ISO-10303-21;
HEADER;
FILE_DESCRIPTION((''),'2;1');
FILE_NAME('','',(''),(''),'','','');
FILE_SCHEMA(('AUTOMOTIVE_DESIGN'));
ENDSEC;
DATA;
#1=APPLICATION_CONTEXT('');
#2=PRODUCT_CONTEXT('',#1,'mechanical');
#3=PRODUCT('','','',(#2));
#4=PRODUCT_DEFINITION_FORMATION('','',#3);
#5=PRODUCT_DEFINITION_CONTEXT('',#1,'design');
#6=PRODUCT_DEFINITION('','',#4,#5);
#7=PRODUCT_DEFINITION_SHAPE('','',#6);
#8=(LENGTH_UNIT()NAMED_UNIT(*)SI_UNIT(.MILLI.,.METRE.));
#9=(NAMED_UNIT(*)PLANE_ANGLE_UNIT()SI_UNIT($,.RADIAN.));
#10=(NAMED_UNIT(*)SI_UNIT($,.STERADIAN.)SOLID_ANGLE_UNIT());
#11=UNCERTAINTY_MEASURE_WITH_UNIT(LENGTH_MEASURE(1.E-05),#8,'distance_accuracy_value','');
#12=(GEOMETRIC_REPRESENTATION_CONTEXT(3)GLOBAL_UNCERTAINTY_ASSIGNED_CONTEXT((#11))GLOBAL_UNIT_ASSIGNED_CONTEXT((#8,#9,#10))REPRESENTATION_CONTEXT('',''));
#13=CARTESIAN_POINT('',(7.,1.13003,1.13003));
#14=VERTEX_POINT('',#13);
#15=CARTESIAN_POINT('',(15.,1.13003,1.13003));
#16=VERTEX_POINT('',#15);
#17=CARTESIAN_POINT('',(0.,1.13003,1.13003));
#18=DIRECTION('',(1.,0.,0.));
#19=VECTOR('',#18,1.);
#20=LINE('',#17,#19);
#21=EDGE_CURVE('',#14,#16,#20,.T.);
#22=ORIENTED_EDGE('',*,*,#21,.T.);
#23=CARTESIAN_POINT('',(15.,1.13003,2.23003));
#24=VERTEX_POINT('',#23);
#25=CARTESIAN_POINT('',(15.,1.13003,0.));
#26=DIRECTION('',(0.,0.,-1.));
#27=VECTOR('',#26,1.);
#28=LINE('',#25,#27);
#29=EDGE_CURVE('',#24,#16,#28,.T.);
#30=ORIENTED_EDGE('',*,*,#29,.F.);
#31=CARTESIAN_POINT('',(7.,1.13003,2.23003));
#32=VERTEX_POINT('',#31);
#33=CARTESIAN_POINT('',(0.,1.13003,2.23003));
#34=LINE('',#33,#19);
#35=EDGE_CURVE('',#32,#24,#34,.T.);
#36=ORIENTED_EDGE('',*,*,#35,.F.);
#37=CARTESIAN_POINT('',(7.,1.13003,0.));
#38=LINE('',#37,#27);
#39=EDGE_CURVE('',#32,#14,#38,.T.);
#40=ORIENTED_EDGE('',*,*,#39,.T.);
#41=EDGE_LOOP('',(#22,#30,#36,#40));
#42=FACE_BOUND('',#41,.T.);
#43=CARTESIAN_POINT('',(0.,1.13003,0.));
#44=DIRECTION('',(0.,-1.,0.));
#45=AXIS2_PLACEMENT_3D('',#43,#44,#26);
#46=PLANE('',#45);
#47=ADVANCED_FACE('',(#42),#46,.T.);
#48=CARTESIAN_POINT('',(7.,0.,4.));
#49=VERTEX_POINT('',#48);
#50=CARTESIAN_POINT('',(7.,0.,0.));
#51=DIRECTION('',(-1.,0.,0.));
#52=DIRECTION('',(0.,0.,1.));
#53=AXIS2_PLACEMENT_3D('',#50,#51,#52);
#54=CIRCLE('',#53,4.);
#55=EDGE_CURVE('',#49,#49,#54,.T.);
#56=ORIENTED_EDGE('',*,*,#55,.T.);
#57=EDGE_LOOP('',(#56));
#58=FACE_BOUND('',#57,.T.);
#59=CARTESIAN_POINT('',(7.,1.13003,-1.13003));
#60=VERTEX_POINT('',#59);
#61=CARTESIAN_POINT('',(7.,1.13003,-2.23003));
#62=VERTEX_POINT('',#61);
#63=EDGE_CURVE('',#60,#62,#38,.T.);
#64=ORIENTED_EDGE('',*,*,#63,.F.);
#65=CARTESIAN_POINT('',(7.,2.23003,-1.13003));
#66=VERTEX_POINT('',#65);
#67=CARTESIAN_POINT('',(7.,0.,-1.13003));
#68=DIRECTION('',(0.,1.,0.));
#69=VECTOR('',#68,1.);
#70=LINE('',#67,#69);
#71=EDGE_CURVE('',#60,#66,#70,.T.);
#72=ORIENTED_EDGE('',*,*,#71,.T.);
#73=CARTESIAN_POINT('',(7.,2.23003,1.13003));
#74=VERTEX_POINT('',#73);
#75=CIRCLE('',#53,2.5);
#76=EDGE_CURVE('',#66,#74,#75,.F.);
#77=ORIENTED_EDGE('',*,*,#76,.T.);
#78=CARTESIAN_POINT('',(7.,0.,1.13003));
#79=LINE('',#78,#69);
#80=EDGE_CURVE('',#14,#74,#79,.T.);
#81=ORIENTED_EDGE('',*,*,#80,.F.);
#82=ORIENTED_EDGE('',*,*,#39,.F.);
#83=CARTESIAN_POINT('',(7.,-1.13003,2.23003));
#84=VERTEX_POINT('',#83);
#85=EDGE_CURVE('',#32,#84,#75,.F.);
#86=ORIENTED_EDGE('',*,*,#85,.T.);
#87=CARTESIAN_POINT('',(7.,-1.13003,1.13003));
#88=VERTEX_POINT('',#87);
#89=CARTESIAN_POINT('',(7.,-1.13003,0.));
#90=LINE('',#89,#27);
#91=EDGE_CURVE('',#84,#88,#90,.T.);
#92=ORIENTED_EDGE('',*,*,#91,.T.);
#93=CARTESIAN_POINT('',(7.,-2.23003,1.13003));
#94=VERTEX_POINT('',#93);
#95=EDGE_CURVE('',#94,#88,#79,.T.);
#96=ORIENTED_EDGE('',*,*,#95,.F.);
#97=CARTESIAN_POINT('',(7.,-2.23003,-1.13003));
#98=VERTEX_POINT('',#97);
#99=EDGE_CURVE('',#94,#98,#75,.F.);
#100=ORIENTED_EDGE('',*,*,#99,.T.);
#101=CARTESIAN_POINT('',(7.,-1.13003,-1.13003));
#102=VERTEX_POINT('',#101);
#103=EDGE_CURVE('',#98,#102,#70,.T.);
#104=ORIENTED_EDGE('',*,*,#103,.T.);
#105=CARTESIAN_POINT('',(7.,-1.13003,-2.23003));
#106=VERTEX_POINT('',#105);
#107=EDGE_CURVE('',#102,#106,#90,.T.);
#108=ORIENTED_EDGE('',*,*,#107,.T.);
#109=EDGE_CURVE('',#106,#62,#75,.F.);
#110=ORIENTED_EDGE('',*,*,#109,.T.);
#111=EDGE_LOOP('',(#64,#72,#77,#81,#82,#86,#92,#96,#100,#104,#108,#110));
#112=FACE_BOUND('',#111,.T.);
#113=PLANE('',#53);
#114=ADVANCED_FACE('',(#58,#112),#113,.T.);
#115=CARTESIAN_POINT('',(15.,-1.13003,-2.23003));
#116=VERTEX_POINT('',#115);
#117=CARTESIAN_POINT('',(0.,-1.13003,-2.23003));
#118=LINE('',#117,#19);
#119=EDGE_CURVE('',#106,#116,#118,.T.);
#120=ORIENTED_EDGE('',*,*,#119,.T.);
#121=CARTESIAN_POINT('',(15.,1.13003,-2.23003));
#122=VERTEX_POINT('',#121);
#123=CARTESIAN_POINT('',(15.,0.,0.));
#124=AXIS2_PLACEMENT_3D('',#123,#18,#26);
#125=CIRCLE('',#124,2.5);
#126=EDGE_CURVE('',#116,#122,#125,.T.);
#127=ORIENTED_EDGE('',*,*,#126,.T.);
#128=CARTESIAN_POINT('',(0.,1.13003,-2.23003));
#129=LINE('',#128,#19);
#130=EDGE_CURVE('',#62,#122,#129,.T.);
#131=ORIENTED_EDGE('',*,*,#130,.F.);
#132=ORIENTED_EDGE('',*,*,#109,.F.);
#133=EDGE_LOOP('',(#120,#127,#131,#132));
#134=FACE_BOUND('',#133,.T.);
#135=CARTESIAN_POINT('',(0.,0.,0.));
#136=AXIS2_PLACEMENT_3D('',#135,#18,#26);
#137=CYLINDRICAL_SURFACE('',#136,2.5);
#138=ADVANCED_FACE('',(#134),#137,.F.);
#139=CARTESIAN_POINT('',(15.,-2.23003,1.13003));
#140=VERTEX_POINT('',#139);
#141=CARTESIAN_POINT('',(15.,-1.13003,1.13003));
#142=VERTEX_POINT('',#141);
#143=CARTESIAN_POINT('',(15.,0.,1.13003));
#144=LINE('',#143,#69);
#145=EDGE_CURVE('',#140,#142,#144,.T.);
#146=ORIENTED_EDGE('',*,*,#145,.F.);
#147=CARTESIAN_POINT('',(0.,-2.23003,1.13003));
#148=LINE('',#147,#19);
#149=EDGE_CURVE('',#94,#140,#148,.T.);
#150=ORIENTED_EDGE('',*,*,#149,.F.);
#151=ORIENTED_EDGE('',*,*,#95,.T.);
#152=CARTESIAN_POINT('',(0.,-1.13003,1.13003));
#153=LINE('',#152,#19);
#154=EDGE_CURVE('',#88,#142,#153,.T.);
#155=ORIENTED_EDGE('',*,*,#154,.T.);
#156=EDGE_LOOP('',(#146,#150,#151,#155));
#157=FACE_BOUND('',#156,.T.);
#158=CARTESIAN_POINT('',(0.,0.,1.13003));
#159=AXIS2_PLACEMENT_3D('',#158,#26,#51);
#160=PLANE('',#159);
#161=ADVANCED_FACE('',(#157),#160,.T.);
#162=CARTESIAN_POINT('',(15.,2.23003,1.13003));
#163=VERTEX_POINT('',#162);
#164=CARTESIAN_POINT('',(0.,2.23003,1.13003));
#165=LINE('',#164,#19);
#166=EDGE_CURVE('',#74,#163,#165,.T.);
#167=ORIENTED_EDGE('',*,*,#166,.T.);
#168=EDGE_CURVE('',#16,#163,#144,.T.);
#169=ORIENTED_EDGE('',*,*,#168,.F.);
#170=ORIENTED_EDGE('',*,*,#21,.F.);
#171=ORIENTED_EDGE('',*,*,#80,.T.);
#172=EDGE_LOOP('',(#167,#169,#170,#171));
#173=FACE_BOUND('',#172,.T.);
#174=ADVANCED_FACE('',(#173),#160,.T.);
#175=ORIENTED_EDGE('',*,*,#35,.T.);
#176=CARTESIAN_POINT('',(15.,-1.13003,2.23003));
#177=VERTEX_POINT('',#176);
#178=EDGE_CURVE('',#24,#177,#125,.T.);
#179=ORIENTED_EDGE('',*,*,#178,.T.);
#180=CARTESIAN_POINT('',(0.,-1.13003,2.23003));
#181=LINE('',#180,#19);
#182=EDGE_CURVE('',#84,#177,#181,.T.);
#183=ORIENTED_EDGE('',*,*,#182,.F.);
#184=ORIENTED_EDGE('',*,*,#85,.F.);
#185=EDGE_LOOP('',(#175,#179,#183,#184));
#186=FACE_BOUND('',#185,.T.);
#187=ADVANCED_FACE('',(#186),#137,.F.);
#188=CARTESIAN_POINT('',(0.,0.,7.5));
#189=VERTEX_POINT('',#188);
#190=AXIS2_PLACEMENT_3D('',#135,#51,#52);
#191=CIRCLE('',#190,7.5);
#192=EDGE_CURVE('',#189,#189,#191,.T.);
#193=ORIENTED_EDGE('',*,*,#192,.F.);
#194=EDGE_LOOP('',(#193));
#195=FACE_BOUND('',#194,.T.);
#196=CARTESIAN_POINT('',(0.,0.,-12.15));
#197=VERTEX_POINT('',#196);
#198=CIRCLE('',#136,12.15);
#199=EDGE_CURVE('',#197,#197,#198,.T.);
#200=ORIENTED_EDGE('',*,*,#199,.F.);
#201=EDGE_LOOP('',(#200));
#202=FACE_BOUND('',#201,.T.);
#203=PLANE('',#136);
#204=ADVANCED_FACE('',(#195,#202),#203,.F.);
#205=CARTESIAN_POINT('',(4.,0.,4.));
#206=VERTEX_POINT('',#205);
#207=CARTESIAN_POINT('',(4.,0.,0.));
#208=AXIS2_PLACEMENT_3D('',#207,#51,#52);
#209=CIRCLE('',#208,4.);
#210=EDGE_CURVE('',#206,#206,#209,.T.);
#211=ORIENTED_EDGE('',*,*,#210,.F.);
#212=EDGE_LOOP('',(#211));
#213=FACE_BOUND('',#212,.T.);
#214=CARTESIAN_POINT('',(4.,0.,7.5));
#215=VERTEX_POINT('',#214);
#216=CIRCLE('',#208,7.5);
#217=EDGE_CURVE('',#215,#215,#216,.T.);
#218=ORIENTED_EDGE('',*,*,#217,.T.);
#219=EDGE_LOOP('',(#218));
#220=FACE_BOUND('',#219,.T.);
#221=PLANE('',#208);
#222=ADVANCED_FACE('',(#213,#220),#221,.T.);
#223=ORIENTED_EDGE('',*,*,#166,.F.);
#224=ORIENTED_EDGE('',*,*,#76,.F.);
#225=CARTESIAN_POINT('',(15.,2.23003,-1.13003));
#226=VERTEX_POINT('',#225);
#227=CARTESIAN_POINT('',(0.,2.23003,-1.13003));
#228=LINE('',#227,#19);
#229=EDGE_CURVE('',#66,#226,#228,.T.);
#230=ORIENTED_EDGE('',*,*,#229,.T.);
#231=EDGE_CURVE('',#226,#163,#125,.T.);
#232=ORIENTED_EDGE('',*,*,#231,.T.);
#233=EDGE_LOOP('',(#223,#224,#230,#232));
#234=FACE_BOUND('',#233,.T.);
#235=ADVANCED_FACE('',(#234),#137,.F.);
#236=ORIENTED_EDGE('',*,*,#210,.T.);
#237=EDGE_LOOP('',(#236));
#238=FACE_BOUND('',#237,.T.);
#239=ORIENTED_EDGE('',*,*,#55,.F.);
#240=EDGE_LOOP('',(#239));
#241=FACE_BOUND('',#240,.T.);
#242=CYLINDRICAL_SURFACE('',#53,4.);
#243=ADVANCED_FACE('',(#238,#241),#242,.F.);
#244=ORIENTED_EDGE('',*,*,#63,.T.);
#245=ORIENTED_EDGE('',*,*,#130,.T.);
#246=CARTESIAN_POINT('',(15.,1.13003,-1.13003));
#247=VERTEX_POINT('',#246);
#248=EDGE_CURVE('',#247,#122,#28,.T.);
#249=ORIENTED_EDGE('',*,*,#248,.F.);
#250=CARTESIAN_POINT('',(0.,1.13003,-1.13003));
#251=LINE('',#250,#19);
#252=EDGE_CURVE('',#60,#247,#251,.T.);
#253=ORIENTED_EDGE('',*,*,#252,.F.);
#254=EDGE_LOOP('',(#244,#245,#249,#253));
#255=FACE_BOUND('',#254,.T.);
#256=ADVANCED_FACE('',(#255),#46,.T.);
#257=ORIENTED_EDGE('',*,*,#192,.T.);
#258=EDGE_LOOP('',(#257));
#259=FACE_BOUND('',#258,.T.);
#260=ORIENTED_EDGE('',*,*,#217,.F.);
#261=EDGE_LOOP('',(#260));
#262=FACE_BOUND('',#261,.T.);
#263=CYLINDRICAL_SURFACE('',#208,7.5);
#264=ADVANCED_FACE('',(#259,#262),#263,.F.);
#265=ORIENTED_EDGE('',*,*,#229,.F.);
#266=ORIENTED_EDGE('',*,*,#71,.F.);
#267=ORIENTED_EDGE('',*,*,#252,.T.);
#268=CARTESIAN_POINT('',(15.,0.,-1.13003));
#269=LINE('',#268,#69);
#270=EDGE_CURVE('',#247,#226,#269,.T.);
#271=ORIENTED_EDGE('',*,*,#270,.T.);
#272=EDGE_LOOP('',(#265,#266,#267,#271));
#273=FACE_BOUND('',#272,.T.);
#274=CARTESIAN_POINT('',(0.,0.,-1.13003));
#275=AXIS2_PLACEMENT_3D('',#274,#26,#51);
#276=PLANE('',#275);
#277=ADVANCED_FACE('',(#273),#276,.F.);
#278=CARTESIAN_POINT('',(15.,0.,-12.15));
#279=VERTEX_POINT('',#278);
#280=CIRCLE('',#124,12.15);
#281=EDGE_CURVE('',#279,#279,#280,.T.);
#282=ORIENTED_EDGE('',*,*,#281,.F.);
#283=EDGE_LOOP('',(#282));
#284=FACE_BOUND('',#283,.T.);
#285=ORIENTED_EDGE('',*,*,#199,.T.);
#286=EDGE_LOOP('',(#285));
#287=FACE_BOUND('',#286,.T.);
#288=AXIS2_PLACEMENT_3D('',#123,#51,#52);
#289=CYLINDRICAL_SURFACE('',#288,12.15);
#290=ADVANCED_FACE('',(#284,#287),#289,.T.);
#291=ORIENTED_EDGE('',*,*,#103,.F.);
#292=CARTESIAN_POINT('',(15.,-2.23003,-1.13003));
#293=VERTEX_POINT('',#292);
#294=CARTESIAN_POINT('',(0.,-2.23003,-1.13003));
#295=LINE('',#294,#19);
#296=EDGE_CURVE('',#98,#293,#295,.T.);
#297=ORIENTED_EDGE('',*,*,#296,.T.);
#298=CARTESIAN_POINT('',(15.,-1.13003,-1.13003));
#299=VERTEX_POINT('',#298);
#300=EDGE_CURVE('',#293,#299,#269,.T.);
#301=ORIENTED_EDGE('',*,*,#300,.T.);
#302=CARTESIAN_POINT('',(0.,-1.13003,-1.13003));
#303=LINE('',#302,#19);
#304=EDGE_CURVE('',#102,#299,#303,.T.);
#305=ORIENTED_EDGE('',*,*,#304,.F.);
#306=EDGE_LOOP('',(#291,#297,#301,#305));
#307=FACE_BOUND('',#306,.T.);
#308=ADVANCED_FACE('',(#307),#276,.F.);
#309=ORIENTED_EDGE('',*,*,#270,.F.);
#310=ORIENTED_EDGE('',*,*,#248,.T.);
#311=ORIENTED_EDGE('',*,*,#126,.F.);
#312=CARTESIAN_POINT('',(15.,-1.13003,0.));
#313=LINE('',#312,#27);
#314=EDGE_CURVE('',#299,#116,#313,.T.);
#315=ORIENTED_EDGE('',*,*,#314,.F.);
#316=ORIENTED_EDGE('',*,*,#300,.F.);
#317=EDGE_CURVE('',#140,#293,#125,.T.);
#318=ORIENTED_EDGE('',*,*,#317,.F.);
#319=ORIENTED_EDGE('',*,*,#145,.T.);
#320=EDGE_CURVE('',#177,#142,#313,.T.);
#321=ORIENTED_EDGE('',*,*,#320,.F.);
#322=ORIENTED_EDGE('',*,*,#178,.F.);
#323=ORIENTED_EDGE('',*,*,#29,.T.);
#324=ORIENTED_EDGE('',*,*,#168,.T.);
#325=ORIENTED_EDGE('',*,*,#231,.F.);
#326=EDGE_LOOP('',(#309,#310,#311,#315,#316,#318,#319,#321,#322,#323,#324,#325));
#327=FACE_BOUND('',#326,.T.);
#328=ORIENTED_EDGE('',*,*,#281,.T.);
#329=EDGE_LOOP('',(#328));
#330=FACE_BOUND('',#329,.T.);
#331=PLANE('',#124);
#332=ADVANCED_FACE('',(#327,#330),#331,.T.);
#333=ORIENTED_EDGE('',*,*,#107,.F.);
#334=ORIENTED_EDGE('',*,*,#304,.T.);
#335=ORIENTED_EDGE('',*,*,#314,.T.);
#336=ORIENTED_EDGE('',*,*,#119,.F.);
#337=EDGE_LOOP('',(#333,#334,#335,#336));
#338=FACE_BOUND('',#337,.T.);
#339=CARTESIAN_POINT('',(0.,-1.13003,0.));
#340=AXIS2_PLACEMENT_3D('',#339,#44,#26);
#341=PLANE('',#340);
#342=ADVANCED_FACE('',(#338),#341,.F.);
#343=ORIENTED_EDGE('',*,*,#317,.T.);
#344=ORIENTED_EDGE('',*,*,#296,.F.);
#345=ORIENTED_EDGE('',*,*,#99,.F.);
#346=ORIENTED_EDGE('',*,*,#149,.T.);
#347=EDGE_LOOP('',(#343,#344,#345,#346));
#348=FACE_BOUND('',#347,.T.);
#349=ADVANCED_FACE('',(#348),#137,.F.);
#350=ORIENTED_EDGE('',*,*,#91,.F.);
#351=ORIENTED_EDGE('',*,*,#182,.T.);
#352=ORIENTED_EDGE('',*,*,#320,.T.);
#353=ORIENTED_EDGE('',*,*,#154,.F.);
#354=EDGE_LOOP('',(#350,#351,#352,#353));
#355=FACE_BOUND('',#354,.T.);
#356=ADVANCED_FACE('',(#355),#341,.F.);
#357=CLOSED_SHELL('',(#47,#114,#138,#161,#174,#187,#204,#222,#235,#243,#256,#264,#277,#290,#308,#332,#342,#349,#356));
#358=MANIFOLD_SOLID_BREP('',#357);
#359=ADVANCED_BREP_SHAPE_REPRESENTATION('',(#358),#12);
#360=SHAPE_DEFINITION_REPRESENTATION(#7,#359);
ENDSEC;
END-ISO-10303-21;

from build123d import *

# Parameters (mm, degrees)
SKETCH_1_R          = 12.15
EXTRUDE_1_DEPTH     = 15
SKETCH_2_W          = 2.260059524
SKETCH_2_H          = 1.1
SKETCH_2_W_2        = 1.1
SKETCH_2_H_2        = 2.260059524
CUT_EXTRUDE_1_DEPTH = 23.80887985
SKETCH_3_R          = 7.5
CUT_EXTRUDE_2_DEPTH = 4
SKETCH_4_R          = 4
CUT_EXTRUDE_3_DEPTH = 3


with BuildPart() as part:
    # 草图1 → 凸台-拉伸1 (new body)
    with BuildSketch(Plane(origin=(0, 0, 0), x_dir=(0, 0, -1), z_dir=(1, 0, 0))):
        Circle(SKETCH_1_R)
    extrude(amount=EXTRUDE_1_DEPTH)

    # 草图2 → 切除-拉伸1 (cut, through all)
    with BuildSketch(Plane(origin=(15, 0, 0), x_dir=(0, 0, -1), z_dir=(1, 0, 0))):
        with Locations((0, 1.680029762)):
            Rectangle(SKETCH_2_W, SKETCH_2_H)
        with Locations((-1.680029762, 0)):
            Rectangle(SKETCH_2_W_2, SKETCH_2_H_2)
        with Locations((0, -1.680029762)):
            Rectangle(SKETCH_2_W, SKETCH_2_H)
        with Locations((1.680029762, 0)):
            Rectangle(SKETCH_2_W_2, SKETCH_2_H_2)
        Rectangle(SKETCH_2_W, SKETCH_2_H_2)
        with BuildLine():
            ThreePointArc((1.130029762, 2.230029762), (0, 2.5), (-1.130029762, 2.230029762))
            Line((-1.130029762, 2.230029762), (1.130029762, 2.230029762))
        make_face()
        with BuildLine():
            ThreePointArc((2.5, 0), (2.431570933, 0.580915483), (2.230029762, 1.130029762))
            Line((2.230029762, 1.130029762), (2.230029762, -1.130029762))
            ThreePointArc((2.230029762, -1.130029762), (2.431570933, -0.580915483), (2.5, 0))
        make_face()
        with BuildLine():
            Line((1.130029762, -2.230029762), (-1.130029762, -2.230029762))
            ThreePointArc((-1.130029762, -2.230029762), (0, -2.5), (1.130029762, -2.230029762))
        make_face()
        with BuildLine():
            Line((-2.230029762, -1.130029762), (-2.230029762, 1.130029762))
            ThreePointArc((-2.230029762, 1.130029762), (-2.5, 0), (-2.230029762, -1.130029762))
        make_face()
    extrude(amount=-CUT_EXTRUDE_1_DEPTH, mode=Mode.SUBTRACT)

    # 草图3 → 切除-拉伸2 (cut)
    with BuildSketch(Plane.ZY):
        Circle(SKETCH_3_R)
    extrude(amount=-CUT_EXTRUDE_2_DEPTH, mode=Mode.SUBTRACT)

    # 草图4 → 切除-拉伸3 (cut)
    with BuildSketch(Plane.ZY.offset(-4)):
        Circle(SKETCH_4_R)
    extrude(amount=-CUT_EXTRUDE_3_DEPTH, mode=Mode.SUBTRACT)


solid = part.part
